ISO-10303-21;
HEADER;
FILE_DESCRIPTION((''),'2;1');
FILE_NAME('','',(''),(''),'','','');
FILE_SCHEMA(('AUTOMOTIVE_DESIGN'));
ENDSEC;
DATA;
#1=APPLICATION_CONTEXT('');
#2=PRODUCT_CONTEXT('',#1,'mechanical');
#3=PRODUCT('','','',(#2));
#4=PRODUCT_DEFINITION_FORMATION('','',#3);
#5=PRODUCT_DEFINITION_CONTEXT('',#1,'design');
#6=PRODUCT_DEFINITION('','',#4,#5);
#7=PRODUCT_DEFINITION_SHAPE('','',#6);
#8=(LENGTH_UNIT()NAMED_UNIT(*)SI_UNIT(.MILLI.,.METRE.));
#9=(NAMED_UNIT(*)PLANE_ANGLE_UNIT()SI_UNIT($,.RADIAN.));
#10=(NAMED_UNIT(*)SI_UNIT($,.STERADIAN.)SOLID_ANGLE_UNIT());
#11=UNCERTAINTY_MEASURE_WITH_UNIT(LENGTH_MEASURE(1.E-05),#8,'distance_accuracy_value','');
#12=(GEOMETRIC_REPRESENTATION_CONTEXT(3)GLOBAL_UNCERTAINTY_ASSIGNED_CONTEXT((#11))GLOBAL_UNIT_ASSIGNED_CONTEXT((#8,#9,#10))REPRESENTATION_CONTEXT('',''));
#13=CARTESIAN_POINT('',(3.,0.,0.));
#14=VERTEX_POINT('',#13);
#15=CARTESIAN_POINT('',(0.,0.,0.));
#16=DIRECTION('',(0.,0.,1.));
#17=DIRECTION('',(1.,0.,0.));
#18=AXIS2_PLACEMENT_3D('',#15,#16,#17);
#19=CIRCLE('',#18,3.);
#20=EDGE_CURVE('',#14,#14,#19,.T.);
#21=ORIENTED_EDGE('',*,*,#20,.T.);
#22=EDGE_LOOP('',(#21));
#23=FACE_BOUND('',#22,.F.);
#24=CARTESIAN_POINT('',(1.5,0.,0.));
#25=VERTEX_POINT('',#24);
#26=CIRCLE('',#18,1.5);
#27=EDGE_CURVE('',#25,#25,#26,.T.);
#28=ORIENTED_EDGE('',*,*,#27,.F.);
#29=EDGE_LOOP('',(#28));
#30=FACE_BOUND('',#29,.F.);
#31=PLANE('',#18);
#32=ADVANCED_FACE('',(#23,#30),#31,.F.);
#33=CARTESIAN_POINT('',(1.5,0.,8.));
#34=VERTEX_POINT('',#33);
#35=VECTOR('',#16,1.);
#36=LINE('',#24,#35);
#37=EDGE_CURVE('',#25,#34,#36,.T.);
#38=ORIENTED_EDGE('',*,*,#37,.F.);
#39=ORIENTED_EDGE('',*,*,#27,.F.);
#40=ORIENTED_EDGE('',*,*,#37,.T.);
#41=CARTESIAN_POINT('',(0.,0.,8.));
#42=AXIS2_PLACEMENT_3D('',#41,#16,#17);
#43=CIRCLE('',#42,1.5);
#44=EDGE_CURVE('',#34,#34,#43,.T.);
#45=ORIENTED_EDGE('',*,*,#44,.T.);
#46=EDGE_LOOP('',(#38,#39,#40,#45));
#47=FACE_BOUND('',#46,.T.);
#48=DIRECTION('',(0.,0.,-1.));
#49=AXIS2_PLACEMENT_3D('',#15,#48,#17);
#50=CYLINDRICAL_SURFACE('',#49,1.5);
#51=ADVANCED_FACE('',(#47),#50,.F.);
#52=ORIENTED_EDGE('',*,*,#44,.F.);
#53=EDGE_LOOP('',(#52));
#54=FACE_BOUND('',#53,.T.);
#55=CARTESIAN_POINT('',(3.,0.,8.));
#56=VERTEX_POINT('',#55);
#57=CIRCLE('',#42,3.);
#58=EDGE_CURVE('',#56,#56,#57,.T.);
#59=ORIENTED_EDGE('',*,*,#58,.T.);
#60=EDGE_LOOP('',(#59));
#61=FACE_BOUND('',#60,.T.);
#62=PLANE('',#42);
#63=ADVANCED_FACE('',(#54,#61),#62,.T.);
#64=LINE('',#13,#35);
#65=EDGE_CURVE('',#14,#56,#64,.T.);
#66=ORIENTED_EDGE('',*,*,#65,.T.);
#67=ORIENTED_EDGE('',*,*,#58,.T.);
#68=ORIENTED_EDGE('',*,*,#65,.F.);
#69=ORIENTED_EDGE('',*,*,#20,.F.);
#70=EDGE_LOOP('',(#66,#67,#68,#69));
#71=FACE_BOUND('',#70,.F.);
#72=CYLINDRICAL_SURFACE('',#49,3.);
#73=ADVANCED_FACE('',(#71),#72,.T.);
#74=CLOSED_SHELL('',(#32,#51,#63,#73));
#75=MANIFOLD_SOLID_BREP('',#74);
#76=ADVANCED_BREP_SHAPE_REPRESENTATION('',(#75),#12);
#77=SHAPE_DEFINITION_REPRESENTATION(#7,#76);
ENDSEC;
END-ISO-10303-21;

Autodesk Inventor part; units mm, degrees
ref_plane "YZ Plane" through (0, 0, 0) normal (1, 0, 0) x (0, 1, 0)
ref_plane "XZ Plane" through (0, 0, 0) normal (0, 1, 0) x (-1, 0, 0)
ref_plane "XY Plane" through (0, 0, 0) normal (0, 0, 1) x (1, 0, 0)
sketch "スケッチ1" plane through (0, 0, 0) normal (0, 0, 1) x (1, 0, 0)
  circle A0 centre (0, 0) radius 3
  circle A1 centre (0, 0) radius 1.5
  dimension "d0" = 6
  dimension "d1" = 3
extrude "押し出し1" add sketch "スケッチ1" along normal blind 8
properties part number "スペーサーm3-8　簡易筒型" material "アルミニウム 2014-T4"
